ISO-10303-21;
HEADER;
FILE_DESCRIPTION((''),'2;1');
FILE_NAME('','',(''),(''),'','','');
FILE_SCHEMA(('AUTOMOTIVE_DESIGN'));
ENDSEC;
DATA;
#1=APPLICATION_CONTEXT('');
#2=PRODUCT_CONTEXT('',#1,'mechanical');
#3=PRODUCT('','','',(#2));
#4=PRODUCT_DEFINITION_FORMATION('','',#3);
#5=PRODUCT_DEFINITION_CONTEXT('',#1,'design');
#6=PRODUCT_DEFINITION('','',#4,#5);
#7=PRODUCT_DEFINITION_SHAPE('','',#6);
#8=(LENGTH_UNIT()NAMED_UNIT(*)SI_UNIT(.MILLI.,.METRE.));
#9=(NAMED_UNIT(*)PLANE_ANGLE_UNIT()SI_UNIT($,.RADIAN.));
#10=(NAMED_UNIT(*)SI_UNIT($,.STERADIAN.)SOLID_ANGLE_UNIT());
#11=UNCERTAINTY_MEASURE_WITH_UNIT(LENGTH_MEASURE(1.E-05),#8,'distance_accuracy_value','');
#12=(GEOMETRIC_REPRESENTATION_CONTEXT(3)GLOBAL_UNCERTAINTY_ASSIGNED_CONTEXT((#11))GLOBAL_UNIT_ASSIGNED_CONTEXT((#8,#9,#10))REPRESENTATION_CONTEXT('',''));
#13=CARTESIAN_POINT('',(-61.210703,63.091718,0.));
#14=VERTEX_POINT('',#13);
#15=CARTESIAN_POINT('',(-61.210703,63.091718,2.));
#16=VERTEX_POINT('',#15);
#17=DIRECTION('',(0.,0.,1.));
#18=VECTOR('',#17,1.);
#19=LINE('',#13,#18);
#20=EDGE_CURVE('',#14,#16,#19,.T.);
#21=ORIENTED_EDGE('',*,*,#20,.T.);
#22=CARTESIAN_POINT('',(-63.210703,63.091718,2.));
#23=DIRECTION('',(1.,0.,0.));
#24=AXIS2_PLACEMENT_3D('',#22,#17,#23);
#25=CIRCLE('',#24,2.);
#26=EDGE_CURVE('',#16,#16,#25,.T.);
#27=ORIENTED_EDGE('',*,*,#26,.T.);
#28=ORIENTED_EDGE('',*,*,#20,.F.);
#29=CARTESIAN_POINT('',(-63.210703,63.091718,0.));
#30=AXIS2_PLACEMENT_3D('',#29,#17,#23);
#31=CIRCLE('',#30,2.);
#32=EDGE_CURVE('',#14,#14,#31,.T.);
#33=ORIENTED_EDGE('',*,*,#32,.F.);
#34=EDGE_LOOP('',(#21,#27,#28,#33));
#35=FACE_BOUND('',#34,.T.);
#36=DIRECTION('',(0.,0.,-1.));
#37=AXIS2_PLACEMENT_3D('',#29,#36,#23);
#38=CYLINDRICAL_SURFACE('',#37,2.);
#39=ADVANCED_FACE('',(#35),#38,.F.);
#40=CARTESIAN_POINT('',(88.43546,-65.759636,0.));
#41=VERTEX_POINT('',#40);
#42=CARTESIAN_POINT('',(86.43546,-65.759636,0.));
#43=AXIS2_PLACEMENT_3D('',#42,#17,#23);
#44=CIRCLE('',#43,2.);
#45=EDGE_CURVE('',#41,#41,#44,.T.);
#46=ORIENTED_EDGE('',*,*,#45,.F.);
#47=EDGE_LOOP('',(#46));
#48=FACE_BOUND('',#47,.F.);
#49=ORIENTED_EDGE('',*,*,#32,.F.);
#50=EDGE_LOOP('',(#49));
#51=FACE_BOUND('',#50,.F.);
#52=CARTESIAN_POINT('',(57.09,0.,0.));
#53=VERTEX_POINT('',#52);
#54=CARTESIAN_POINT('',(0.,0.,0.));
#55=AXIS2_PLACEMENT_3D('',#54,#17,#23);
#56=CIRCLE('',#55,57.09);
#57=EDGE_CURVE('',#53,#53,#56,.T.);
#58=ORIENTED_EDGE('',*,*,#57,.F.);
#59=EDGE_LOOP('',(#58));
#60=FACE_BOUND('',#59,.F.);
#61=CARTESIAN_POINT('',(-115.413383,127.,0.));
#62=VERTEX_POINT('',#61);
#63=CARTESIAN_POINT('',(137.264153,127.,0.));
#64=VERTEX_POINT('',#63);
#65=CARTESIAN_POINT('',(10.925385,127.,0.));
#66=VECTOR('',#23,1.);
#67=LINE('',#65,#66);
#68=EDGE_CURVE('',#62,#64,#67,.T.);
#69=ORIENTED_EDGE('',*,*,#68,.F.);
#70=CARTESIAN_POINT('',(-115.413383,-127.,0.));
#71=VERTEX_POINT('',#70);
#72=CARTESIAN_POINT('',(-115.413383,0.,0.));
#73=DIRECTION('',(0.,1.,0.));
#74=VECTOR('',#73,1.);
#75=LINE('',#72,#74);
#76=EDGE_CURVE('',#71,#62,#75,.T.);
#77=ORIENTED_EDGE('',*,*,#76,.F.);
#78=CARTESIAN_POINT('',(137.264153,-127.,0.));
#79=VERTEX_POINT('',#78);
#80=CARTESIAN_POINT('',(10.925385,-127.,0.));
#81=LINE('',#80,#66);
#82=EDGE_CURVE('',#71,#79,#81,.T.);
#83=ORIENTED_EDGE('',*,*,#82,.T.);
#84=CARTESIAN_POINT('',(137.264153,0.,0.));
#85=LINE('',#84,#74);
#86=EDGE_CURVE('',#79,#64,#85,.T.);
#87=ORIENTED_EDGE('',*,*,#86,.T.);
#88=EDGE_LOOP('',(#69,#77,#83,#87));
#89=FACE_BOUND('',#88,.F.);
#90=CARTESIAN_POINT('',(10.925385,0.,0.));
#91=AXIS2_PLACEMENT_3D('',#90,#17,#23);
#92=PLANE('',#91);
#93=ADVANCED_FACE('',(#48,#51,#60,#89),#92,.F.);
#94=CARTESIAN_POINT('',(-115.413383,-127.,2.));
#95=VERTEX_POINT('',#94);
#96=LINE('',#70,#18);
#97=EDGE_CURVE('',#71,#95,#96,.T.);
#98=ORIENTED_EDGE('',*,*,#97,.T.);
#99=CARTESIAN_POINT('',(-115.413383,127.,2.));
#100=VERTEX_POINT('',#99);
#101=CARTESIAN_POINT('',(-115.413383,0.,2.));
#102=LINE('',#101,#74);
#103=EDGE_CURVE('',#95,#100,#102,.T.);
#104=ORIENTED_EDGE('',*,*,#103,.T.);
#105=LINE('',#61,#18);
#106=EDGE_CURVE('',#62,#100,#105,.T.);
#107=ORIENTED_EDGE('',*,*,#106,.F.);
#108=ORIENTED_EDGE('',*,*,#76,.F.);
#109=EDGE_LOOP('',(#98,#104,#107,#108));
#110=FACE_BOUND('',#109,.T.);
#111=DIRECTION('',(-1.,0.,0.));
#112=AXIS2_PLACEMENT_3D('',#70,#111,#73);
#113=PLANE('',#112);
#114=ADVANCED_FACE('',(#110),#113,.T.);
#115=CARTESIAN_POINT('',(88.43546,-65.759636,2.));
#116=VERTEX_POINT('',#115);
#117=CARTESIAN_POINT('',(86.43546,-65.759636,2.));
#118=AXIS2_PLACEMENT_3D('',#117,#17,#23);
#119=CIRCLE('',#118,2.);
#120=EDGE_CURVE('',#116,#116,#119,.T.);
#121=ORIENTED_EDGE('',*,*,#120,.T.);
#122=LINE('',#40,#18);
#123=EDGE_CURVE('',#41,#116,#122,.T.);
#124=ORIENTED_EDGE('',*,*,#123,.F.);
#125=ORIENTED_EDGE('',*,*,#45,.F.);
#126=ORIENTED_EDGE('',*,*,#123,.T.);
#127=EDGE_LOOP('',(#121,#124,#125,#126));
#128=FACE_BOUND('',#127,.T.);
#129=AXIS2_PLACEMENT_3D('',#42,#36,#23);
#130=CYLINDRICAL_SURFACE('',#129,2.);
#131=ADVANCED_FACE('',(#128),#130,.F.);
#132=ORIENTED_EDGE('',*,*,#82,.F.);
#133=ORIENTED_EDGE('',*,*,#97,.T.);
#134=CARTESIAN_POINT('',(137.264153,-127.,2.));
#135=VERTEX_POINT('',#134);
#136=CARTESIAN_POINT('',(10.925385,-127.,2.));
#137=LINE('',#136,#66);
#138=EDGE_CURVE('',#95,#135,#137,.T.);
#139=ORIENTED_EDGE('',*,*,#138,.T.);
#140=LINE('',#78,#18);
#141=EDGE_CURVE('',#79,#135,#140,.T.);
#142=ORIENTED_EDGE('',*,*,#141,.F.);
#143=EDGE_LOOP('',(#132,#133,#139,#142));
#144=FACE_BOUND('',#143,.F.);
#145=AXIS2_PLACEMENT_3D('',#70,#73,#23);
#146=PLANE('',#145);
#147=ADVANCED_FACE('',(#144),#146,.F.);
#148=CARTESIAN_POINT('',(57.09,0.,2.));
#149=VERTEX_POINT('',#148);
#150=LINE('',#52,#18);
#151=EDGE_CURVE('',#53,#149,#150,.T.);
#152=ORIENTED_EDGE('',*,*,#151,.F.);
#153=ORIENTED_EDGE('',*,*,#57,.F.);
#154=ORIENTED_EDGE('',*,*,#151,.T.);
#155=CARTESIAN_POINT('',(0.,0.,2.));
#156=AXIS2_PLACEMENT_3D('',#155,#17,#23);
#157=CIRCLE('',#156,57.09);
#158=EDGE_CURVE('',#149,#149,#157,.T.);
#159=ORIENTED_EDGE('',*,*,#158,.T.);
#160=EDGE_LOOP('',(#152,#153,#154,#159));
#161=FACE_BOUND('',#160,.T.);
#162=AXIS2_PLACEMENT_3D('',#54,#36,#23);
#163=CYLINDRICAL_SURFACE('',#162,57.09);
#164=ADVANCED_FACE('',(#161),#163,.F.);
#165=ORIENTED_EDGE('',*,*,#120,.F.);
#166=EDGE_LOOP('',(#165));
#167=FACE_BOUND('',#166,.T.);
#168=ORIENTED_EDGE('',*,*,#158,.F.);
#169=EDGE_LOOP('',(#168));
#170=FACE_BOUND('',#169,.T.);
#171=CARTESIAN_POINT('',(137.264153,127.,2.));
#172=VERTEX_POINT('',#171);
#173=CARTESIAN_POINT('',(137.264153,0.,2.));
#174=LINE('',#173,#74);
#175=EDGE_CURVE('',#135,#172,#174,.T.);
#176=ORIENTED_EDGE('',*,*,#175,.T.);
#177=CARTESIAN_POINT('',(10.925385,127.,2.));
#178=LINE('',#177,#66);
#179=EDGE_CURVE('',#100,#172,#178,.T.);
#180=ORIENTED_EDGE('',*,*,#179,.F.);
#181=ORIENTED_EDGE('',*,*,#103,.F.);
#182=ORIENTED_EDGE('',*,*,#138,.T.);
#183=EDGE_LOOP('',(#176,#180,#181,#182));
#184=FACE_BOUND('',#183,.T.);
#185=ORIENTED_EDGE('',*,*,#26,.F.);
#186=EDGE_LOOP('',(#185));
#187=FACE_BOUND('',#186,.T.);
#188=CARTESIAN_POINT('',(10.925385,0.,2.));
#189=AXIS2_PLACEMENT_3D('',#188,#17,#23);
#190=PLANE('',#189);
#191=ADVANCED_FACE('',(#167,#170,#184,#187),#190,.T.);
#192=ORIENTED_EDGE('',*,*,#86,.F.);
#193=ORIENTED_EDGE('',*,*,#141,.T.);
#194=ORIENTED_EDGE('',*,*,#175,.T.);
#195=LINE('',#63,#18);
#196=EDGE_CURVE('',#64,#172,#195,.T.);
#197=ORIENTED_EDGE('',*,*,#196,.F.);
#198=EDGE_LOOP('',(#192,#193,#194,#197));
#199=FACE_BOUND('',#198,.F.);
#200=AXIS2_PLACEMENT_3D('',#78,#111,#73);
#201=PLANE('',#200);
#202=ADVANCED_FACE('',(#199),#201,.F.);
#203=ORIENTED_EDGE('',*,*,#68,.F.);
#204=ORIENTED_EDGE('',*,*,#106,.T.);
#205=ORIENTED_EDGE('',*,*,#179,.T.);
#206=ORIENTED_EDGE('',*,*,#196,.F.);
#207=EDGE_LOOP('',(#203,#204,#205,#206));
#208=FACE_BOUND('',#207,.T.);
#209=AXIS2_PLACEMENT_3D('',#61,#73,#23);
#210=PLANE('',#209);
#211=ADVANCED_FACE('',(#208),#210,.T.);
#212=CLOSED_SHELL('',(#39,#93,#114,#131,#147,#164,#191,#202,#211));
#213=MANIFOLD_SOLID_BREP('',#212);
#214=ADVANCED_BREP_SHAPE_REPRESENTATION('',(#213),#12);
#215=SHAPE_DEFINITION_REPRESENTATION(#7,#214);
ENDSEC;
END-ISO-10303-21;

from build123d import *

# Parameters (mm, degrees)
F0_W     = 252.677536
F0_H     = 254
F0_R     = 2
F0_R_2   = 57.09
F1_DEPTH = 2


with BuildPart() as f1:
    # F0 (on Top) → F1 (new body)
    with BuildSketch(Plane.XY):
        with Locations((10.925385, 0)):
            Rectangle(F0_W, F0_H)
        with Locations((86.43546, -65.759636)):
            Circle(F0_R, mode=Mode.SUBTRACT)
        with Locations((-63.210703, 63.091718)):
            Circle(F0_R, mode=Mode.SUBTRACT)
        Circle(F0_R_2, mode=Mode.SUBTRACT)
    extrude(amount=F1_DEPTH)


solid = f1.part
